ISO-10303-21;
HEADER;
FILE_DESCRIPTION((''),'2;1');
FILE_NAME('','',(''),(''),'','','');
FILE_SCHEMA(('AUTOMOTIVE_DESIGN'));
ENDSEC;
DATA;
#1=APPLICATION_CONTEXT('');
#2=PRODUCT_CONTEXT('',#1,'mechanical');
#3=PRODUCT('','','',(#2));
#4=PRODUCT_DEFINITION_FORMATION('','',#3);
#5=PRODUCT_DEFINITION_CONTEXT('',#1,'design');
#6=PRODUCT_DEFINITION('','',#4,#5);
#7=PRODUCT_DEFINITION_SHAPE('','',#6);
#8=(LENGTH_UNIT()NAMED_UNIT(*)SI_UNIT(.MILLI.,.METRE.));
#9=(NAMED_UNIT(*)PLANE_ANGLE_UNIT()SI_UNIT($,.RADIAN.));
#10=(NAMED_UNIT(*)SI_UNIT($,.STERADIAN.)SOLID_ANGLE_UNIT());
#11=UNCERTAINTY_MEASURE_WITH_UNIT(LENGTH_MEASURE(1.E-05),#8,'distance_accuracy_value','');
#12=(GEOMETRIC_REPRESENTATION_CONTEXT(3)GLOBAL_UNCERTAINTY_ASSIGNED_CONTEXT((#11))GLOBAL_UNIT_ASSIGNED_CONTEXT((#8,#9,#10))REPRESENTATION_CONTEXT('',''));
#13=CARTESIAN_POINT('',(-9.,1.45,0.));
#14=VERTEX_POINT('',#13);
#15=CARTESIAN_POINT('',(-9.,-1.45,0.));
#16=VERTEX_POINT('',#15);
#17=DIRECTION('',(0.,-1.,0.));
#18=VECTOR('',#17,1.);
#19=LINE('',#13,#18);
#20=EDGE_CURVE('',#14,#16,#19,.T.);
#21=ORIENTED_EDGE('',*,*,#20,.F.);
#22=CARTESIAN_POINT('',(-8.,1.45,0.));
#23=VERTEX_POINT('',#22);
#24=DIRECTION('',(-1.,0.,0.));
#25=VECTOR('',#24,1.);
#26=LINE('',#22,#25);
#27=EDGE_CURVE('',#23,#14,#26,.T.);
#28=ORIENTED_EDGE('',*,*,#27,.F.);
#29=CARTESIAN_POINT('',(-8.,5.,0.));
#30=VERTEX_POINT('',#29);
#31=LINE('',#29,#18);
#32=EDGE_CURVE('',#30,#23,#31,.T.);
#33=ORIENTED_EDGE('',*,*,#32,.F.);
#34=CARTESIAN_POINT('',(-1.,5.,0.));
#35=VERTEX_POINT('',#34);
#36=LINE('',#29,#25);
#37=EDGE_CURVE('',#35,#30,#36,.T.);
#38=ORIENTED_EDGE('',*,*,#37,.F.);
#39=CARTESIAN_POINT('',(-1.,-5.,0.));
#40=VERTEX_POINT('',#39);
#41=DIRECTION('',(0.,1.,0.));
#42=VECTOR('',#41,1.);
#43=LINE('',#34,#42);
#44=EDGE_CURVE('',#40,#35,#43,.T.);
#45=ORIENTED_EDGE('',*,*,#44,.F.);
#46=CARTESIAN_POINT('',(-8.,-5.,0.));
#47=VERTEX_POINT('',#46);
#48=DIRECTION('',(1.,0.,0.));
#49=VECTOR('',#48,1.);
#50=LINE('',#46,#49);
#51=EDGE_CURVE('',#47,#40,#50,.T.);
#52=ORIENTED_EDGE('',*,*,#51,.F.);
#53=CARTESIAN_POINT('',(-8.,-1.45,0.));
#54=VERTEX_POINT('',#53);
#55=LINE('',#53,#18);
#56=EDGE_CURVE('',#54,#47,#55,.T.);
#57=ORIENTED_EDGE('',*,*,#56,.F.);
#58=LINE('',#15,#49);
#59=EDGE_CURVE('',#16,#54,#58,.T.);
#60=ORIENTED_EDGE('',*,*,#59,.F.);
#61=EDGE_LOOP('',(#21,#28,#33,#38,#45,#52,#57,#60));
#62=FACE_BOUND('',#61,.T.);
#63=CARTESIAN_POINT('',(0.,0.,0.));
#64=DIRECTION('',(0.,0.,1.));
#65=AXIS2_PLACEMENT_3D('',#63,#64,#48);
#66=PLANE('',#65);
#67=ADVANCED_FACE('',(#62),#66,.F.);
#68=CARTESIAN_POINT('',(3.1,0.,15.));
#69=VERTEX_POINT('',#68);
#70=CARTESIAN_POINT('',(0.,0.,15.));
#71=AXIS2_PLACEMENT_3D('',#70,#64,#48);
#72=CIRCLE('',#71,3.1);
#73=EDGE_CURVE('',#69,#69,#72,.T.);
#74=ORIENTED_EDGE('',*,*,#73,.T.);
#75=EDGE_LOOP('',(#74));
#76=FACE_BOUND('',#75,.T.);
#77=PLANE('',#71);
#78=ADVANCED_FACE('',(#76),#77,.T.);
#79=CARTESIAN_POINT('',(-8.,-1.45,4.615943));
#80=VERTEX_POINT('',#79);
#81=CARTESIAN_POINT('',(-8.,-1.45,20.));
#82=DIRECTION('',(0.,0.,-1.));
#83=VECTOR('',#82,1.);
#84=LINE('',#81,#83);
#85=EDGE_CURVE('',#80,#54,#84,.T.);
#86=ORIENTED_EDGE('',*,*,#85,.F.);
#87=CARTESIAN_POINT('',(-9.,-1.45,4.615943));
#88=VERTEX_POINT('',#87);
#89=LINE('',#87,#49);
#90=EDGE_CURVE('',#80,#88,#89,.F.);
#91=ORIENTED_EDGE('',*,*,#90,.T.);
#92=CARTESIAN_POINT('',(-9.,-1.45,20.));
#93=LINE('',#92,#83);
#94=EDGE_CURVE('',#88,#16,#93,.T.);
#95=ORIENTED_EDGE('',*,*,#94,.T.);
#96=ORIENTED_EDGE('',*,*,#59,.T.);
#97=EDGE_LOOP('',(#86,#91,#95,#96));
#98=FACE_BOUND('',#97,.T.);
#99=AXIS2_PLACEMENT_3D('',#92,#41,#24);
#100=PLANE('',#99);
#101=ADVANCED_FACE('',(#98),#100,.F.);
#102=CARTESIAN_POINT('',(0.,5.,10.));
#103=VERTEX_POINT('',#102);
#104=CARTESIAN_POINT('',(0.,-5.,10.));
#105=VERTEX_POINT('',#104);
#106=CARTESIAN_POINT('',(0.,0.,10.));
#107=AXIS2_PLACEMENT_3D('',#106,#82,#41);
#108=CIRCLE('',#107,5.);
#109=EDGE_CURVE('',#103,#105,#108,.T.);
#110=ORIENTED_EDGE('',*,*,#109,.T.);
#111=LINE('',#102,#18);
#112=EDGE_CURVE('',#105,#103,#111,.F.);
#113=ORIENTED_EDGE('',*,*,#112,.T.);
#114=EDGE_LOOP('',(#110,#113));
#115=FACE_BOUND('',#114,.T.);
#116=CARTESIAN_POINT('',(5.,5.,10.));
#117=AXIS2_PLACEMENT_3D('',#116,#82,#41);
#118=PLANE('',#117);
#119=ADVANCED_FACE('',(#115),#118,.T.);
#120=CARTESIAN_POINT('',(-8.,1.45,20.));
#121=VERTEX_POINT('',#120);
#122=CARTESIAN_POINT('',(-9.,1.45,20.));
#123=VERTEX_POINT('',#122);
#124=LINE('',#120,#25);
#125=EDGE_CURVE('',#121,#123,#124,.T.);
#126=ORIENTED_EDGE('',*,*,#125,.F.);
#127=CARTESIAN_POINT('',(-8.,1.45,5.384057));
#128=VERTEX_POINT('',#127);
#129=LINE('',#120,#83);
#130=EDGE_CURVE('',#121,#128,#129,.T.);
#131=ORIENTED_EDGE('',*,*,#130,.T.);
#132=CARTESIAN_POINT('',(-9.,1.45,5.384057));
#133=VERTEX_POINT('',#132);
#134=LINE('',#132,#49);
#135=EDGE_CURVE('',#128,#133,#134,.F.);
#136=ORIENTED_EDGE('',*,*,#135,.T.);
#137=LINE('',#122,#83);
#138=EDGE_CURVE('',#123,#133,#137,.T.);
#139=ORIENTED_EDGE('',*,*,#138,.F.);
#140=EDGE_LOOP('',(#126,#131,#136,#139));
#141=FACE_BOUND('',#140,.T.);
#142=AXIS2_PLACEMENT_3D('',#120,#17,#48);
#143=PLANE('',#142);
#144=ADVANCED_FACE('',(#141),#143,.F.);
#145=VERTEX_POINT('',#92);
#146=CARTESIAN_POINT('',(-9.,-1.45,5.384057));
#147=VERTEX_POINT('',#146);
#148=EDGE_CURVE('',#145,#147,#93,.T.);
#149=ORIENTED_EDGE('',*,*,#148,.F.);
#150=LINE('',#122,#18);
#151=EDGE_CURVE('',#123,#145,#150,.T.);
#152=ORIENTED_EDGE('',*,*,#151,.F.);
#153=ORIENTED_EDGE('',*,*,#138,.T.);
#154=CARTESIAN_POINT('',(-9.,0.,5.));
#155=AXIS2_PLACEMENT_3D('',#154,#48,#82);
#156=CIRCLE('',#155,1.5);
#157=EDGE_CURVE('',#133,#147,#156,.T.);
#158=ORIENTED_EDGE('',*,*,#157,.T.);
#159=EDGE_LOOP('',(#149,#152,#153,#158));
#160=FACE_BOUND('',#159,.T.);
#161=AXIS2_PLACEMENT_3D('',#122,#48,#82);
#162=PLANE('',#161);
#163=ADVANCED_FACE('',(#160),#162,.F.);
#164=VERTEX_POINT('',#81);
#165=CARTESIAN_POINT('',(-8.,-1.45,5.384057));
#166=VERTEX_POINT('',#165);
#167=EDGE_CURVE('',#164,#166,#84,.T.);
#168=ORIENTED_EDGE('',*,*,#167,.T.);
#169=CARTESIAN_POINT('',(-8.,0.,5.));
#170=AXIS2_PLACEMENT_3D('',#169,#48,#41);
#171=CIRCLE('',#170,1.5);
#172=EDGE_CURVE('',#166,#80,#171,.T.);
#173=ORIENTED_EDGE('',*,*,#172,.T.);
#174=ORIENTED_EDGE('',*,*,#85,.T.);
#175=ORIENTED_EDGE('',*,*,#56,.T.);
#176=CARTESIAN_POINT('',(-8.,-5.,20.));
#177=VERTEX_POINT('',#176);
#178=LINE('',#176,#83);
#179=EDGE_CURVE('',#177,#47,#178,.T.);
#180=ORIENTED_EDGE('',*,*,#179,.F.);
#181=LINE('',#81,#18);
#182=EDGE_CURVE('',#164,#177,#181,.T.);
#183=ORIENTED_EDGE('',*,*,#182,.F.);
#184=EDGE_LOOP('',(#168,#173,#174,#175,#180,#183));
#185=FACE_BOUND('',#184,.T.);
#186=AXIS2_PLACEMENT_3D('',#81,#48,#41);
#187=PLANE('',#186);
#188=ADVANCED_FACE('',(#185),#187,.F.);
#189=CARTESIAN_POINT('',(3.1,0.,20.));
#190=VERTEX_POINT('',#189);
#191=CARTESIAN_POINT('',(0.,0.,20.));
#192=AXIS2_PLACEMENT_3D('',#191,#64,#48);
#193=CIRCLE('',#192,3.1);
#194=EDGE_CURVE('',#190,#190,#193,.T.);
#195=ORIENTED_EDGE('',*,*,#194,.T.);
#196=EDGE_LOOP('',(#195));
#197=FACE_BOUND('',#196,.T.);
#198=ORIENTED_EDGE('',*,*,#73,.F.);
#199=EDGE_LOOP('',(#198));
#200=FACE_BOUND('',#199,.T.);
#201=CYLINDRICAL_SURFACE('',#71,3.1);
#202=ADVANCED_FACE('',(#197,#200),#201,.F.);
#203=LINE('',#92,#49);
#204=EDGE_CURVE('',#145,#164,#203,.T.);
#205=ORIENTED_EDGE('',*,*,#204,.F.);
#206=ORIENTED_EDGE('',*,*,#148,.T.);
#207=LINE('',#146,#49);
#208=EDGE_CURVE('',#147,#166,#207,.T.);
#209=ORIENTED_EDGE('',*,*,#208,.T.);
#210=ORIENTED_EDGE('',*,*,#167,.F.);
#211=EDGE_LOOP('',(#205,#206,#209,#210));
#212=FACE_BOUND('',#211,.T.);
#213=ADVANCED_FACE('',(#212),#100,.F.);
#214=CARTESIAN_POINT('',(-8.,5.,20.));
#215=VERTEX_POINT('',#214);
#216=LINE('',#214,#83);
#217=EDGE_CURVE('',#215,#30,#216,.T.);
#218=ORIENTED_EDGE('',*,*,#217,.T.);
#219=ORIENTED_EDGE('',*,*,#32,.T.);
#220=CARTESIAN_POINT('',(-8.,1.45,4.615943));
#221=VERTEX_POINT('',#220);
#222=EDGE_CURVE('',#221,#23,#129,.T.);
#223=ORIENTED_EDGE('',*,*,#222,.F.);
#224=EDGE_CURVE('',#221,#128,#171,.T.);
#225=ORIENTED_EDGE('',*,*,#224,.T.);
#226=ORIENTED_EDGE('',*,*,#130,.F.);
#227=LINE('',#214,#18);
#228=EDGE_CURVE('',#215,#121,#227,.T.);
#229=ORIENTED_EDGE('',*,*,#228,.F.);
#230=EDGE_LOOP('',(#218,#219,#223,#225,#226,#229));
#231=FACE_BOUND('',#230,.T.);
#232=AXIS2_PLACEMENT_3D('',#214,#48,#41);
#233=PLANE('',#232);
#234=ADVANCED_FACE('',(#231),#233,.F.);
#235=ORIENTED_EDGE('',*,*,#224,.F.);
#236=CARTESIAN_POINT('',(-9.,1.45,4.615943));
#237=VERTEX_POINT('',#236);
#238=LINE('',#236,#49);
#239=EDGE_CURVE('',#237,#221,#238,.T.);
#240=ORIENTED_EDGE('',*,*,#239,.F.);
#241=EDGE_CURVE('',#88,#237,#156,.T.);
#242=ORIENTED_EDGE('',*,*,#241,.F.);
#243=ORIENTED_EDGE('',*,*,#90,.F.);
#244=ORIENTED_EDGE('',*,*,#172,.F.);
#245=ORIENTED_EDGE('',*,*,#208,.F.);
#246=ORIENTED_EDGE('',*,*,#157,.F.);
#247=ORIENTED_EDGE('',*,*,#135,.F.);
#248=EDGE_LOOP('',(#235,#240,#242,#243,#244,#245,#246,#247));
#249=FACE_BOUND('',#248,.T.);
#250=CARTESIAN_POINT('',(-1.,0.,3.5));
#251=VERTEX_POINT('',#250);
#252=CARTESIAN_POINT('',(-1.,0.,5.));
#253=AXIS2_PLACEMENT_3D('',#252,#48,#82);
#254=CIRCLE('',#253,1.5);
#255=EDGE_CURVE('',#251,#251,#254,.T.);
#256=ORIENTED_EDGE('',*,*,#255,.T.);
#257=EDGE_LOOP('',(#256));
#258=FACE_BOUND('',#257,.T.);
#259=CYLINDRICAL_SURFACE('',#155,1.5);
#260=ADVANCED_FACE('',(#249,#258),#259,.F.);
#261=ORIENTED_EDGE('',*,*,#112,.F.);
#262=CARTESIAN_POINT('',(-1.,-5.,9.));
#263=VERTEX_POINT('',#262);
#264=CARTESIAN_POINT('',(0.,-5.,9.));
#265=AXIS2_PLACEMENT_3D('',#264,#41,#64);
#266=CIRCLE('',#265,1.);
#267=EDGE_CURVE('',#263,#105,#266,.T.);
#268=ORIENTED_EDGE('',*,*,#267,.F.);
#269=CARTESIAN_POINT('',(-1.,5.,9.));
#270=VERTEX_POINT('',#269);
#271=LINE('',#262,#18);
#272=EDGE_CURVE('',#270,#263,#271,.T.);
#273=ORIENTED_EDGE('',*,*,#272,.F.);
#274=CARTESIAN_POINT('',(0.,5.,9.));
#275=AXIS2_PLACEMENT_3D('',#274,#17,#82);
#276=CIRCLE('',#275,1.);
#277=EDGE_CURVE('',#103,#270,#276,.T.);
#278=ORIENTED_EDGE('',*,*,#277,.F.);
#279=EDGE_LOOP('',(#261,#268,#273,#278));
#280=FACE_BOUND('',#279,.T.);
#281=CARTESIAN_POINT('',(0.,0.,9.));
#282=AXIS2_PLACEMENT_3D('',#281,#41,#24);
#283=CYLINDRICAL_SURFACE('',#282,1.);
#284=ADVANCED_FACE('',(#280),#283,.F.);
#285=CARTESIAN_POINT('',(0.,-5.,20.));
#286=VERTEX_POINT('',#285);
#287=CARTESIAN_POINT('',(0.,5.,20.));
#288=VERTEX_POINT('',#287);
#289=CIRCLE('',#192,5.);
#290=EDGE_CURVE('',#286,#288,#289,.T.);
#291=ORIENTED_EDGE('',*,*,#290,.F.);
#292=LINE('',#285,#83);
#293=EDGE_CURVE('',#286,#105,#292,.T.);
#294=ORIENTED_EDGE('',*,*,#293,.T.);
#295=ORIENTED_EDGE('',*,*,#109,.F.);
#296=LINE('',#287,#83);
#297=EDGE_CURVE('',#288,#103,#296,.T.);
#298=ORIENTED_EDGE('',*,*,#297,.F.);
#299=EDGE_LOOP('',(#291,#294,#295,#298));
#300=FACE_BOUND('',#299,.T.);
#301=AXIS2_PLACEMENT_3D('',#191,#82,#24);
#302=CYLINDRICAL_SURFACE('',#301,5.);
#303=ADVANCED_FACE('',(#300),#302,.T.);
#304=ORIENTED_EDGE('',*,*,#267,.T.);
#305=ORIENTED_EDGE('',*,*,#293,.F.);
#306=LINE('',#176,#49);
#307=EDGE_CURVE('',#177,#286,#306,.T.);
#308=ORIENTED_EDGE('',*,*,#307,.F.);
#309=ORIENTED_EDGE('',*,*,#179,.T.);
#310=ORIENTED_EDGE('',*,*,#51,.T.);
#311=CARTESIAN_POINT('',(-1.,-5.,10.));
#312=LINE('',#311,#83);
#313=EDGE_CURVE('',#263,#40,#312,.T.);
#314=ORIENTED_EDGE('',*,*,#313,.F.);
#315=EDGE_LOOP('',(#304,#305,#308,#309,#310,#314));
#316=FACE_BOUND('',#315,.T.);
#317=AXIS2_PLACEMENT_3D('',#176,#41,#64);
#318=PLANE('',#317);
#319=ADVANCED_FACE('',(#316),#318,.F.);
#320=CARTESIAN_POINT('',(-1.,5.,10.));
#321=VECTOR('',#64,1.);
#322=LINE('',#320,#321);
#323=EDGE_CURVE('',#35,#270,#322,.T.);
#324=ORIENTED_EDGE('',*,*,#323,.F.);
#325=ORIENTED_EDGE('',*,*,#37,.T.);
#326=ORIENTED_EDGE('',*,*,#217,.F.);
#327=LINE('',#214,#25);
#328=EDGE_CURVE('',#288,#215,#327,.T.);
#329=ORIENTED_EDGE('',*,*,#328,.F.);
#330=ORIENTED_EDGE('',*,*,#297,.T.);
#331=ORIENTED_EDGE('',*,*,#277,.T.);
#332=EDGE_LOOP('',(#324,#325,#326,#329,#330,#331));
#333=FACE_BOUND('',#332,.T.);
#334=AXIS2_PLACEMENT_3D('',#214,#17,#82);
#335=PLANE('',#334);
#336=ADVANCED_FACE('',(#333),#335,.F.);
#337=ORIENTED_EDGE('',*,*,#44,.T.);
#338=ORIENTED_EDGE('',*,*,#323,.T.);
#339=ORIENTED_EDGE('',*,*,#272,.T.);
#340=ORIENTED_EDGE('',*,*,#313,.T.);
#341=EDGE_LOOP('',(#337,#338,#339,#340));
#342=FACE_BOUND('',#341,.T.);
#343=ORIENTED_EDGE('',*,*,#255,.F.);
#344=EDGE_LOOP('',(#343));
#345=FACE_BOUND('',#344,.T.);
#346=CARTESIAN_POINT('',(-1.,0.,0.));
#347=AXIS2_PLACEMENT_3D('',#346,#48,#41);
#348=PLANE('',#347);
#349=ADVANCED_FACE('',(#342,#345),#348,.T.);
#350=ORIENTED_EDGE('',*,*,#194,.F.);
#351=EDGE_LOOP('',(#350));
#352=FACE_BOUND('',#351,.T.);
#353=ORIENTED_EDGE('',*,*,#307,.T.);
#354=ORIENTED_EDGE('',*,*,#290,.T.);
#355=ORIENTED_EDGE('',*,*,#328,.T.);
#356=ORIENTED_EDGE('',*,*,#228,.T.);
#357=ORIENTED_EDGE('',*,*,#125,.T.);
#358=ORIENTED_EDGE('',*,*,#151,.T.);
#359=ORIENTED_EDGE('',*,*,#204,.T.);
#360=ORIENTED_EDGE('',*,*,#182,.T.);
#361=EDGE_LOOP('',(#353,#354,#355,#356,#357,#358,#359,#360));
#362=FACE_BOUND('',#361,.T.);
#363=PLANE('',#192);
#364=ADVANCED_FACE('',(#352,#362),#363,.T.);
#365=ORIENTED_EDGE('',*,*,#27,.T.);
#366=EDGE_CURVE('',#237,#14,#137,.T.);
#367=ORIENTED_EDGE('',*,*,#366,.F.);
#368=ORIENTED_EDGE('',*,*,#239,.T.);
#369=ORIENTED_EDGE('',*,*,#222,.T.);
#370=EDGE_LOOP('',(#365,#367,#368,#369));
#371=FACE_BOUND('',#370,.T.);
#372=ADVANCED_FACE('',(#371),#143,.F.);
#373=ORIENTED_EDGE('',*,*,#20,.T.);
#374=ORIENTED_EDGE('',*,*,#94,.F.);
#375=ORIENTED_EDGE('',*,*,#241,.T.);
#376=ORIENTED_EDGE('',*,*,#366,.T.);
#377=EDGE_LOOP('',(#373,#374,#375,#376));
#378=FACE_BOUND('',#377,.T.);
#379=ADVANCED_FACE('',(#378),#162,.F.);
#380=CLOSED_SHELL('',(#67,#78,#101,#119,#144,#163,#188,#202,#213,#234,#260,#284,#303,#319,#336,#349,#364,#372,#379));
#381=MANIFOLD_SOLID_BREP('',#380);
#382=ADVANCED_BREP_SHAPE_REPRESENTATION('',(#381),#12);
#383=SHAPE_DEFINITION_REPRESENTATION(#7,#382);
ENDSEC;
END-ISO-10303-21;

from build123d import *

# Parameters (mm, degrees)
MAIN_DEPTH                     = 20
SKETCH2_R                      = 3.1
SHAFTHOLE_DEPTH                = 5
SKETCH3_W                      = 10
SKETCH3_H                      = 10
MAKERBEAMRECTANGULARHOLE_DEPTH = 7
SKETCH4_R                      = 1.5
MAKERBEAMHOLE_DEPTH            = 9
FILLET1_R                      = 1


with BuildPart() as part:
    # Sketch1 → Main (new body)
    with BuildSketch(Plane.XY):
        with BuildLine():
            Line((-8, 5), (-8, 1.45))
            Line((-8, 1.45), (-9, 1.45))
            Line((-9, 1.45), (-9, -1.45))
            Line((-9, -1.45), (-8, -1.45))
            Line((-8, -1.45), (-8, -5))
            Line((-8, -5), (0, -5))
            ThreePointArc((0, -5), (5, 0), (0, 5))
            Line((0, 5), (-8, 5))
        make_face()
    extrude(amount=MAIN_DEPTH)

    # Sketch2 → ShaftHole (cut)
    with BuildSketch(Plane.XY.offset(20)):
        Circle(SKETCH2_R)
    extrude(amount=-SHAFTHOLE_DEPTH, mode=Mode.SUBTRACT)

    # Sketch3 → MakerBeamRectangularHole (cut, through all)
    with BuildSketch(Plane(origin=(-1, 0, 0), x_dir=(0, 0, -1), z_dir=(1, 0, 0))):
        with Locations((-5, 0)):
            Rectangle(SKETCH3_W, SKETCH3_H)
    extrude(amount=MAKERBEAMRECTANGULARHOLE_DEPTH, mode=Mode.SUBTRACT)

    # Sketch4 → MakerBeamHole (cut, through all)
    with BuildSketch(Plane(origin=(-1, 0, 0), x_dir=(0, 0, -1), z_dir=(1, 0, 0))):
        with Locations((-5, 0)):
            Circle(SKETCH4_R)
    extrude(amount=-MAKERBEAMHOLE_DEPTH, mode=Mode.SUBTRACT)

    # Fillet1
    fillet1_edges = [part.edges().sort_by_distance(p)[0] for p in [
        (-1, 0, 10),
    ]]
    fillet(fillet1_edges, radius=FILLET1_R)


solid = part.part
